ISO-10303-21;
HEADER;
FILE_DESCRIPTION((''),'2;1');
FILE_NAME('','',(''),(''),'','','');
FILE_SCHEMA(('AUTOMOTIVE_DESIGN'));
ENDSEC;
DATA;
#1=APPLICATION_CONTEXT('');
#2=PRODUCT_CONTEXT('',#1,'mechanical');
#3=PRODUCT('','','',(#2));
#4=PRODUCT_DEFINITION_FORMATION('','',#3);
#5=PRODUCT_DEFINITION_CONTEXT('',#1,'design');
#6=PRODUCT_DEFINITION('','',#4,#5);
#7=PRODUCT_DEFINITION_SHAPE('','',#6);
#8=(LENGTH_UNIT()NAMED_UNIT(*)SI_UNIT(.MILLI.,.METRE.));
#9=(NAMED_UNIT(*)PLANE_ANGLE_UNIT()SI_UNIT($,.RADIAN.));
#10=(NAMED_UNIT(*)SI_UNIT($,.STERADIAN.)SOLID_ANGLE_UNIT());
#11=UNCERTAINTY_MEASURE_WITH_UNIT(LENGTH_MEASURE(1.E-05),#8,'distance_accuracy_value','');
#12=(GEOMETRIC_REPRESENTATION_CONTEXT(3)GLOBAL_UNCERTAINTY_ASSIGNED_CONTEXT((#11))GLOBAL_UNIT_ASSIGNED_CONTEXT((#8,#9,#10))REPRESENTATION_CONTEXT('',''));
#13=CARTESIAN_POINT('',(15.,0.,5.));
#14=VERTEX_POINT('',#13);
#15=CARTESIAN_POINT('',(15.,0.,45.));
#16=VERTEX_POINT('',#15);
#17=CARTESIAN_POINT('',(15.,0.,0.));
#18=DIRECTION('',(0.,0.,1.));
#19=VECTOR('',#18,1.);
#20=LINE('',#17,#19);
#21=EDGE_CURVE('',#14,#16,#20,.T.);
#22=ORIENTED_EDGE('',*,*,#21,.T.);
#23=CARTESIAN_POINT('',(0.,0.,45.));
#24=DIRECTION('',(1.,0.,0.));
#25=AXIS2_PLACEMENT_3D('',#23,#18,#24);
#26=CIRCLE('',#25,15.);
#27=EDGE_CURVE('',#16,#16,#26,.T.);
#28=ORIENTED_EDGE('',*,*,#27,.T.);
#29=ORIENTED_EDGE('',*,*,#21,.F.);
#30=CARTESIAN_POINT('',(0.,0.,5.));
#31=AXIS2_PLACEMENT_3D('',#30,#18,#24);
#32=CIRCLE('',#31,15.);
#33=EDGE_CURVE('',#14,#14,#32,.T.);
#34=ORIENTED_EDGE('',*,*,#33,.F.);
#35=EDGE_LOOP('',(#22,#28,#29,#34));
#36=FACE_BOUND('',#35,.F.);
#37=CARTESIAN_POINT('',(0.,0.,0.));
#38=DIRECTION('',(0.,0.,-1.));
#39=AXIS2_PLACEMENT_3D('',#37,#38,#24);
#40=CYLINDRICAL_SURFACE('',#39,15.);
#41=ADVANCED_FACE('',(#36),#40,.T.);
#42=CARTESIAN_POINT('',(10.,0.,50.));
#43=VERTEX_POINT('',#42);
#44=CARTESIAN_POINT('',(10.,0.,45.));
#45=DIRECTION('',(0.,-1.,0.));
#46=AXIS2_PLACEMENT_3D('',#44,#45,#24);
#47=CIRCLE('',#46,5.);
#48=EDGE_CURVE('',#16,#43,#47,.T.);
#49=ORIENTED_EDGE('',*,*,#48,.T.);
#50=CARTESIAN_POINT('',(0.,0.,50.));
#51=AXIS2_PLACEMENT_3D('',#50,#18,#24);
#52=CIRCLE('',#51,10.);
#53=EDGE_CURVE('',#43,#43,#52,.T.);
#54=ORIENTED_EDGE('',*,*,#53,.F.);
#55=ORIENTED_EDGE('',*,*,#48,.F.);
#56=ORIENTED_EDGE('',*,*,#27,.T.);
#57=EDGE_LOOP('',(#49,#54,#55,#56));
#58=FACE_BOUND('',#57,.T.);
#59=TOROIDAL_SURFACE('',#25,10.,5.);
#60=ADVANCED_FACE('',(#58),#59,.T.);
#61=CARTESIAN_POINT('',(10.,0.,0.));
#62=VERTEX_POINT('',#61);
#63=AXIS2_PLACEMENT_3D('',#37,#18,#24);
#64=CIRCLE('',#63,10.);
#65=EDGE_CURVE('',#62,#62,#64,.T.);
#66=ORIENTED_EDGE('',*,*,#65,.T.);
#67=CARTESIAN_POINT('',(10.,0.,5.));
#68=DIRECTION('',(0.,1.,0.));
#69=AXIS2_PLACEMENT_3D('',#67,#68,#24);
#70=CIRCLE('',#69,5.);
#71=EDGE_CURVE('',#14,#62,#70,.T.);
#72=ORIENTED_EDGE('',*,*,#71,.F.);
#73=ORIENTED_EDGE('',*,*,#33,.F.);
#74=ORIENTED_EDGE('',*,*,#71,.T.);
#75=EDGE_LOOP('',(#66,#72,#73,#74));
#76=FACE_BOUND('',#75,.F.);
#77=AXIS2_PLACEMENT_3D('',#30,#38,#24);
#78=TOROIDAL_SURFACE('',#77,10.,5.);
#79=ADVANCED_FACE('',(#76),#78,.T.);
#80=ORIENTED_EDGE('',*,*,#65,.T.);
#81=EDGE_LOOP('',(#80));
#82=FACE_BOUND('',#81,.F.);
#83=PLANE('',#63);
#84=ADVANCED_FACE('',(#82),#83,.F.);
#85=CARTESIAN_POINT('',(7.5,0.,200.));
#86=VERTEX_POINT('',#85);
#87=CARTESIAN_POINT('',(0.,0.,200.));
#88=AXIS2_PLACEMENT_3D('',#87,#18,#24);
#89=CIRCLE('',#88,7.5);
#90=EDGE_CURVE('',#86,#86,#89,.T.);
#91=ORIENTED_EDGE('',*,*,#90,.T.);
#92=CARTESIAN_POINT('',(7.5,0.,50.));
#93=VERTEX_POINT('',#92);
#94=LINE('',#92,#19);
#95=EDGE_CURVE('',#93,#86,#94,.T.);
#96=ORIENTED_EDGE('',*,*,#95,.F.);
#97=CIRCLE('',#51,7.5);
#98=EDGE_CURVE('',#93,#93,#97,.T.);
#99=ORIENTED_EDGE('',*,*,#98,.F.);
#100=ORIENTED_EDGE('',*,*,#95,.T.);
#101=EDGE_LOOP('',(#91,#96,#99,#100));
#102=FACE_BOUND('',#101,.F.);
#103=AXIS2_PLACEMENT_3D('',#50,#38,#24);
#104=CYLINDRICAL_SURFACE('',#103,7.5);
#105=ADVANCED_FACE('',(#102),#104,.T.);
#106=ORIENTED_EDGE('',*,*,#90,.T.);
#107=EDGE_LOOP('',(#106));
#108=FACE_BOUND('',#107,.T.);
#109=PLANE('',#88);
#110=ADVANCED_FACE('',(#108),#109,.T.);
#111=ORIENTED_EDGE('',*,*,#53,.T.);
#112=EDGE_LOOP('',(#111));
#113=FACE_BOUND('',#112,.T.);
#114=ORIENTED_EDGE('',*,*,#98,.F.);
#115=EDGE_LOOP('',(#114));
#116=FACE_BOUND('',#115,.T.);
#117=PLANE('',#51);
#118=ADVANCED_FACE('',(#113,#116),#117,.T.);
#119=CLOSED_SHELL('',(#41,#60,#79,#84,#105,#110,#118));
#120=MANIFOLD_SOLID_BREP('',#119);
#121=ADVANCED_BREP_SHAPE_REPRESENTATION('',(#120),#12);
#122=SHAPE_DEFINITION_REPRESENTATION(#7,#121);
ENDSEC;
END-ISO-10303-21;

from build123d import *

# Parameters (mm, degrees)
F0_R     = 15
F1_DEPTH = 50
F2_R     = 5
F3_R     = 7.5
F4_DEPTH = 150


with BuildPart() as f1:
    # F0 (on Top) → F1 (new body)
    with BuildSketch(Plane.XY):
        Circle(F0_R)
    extrude(amount=F1_DEPTH)

    # F2
    f2_edges = [f1.edges().sort_by_distance(p)[0] for p in [
        (-15, 0, 50),
        (-15, 0, 0),
    ]]
    fillet(f2_edges, radius=F2_R)

    # F3 (on face) → F4 (join)
    with BuildSketch(Plane.XY.offset(50)):
        Circle(F3_R)
    extrude(amount=F4_DEPTH)


solid = f1.part
